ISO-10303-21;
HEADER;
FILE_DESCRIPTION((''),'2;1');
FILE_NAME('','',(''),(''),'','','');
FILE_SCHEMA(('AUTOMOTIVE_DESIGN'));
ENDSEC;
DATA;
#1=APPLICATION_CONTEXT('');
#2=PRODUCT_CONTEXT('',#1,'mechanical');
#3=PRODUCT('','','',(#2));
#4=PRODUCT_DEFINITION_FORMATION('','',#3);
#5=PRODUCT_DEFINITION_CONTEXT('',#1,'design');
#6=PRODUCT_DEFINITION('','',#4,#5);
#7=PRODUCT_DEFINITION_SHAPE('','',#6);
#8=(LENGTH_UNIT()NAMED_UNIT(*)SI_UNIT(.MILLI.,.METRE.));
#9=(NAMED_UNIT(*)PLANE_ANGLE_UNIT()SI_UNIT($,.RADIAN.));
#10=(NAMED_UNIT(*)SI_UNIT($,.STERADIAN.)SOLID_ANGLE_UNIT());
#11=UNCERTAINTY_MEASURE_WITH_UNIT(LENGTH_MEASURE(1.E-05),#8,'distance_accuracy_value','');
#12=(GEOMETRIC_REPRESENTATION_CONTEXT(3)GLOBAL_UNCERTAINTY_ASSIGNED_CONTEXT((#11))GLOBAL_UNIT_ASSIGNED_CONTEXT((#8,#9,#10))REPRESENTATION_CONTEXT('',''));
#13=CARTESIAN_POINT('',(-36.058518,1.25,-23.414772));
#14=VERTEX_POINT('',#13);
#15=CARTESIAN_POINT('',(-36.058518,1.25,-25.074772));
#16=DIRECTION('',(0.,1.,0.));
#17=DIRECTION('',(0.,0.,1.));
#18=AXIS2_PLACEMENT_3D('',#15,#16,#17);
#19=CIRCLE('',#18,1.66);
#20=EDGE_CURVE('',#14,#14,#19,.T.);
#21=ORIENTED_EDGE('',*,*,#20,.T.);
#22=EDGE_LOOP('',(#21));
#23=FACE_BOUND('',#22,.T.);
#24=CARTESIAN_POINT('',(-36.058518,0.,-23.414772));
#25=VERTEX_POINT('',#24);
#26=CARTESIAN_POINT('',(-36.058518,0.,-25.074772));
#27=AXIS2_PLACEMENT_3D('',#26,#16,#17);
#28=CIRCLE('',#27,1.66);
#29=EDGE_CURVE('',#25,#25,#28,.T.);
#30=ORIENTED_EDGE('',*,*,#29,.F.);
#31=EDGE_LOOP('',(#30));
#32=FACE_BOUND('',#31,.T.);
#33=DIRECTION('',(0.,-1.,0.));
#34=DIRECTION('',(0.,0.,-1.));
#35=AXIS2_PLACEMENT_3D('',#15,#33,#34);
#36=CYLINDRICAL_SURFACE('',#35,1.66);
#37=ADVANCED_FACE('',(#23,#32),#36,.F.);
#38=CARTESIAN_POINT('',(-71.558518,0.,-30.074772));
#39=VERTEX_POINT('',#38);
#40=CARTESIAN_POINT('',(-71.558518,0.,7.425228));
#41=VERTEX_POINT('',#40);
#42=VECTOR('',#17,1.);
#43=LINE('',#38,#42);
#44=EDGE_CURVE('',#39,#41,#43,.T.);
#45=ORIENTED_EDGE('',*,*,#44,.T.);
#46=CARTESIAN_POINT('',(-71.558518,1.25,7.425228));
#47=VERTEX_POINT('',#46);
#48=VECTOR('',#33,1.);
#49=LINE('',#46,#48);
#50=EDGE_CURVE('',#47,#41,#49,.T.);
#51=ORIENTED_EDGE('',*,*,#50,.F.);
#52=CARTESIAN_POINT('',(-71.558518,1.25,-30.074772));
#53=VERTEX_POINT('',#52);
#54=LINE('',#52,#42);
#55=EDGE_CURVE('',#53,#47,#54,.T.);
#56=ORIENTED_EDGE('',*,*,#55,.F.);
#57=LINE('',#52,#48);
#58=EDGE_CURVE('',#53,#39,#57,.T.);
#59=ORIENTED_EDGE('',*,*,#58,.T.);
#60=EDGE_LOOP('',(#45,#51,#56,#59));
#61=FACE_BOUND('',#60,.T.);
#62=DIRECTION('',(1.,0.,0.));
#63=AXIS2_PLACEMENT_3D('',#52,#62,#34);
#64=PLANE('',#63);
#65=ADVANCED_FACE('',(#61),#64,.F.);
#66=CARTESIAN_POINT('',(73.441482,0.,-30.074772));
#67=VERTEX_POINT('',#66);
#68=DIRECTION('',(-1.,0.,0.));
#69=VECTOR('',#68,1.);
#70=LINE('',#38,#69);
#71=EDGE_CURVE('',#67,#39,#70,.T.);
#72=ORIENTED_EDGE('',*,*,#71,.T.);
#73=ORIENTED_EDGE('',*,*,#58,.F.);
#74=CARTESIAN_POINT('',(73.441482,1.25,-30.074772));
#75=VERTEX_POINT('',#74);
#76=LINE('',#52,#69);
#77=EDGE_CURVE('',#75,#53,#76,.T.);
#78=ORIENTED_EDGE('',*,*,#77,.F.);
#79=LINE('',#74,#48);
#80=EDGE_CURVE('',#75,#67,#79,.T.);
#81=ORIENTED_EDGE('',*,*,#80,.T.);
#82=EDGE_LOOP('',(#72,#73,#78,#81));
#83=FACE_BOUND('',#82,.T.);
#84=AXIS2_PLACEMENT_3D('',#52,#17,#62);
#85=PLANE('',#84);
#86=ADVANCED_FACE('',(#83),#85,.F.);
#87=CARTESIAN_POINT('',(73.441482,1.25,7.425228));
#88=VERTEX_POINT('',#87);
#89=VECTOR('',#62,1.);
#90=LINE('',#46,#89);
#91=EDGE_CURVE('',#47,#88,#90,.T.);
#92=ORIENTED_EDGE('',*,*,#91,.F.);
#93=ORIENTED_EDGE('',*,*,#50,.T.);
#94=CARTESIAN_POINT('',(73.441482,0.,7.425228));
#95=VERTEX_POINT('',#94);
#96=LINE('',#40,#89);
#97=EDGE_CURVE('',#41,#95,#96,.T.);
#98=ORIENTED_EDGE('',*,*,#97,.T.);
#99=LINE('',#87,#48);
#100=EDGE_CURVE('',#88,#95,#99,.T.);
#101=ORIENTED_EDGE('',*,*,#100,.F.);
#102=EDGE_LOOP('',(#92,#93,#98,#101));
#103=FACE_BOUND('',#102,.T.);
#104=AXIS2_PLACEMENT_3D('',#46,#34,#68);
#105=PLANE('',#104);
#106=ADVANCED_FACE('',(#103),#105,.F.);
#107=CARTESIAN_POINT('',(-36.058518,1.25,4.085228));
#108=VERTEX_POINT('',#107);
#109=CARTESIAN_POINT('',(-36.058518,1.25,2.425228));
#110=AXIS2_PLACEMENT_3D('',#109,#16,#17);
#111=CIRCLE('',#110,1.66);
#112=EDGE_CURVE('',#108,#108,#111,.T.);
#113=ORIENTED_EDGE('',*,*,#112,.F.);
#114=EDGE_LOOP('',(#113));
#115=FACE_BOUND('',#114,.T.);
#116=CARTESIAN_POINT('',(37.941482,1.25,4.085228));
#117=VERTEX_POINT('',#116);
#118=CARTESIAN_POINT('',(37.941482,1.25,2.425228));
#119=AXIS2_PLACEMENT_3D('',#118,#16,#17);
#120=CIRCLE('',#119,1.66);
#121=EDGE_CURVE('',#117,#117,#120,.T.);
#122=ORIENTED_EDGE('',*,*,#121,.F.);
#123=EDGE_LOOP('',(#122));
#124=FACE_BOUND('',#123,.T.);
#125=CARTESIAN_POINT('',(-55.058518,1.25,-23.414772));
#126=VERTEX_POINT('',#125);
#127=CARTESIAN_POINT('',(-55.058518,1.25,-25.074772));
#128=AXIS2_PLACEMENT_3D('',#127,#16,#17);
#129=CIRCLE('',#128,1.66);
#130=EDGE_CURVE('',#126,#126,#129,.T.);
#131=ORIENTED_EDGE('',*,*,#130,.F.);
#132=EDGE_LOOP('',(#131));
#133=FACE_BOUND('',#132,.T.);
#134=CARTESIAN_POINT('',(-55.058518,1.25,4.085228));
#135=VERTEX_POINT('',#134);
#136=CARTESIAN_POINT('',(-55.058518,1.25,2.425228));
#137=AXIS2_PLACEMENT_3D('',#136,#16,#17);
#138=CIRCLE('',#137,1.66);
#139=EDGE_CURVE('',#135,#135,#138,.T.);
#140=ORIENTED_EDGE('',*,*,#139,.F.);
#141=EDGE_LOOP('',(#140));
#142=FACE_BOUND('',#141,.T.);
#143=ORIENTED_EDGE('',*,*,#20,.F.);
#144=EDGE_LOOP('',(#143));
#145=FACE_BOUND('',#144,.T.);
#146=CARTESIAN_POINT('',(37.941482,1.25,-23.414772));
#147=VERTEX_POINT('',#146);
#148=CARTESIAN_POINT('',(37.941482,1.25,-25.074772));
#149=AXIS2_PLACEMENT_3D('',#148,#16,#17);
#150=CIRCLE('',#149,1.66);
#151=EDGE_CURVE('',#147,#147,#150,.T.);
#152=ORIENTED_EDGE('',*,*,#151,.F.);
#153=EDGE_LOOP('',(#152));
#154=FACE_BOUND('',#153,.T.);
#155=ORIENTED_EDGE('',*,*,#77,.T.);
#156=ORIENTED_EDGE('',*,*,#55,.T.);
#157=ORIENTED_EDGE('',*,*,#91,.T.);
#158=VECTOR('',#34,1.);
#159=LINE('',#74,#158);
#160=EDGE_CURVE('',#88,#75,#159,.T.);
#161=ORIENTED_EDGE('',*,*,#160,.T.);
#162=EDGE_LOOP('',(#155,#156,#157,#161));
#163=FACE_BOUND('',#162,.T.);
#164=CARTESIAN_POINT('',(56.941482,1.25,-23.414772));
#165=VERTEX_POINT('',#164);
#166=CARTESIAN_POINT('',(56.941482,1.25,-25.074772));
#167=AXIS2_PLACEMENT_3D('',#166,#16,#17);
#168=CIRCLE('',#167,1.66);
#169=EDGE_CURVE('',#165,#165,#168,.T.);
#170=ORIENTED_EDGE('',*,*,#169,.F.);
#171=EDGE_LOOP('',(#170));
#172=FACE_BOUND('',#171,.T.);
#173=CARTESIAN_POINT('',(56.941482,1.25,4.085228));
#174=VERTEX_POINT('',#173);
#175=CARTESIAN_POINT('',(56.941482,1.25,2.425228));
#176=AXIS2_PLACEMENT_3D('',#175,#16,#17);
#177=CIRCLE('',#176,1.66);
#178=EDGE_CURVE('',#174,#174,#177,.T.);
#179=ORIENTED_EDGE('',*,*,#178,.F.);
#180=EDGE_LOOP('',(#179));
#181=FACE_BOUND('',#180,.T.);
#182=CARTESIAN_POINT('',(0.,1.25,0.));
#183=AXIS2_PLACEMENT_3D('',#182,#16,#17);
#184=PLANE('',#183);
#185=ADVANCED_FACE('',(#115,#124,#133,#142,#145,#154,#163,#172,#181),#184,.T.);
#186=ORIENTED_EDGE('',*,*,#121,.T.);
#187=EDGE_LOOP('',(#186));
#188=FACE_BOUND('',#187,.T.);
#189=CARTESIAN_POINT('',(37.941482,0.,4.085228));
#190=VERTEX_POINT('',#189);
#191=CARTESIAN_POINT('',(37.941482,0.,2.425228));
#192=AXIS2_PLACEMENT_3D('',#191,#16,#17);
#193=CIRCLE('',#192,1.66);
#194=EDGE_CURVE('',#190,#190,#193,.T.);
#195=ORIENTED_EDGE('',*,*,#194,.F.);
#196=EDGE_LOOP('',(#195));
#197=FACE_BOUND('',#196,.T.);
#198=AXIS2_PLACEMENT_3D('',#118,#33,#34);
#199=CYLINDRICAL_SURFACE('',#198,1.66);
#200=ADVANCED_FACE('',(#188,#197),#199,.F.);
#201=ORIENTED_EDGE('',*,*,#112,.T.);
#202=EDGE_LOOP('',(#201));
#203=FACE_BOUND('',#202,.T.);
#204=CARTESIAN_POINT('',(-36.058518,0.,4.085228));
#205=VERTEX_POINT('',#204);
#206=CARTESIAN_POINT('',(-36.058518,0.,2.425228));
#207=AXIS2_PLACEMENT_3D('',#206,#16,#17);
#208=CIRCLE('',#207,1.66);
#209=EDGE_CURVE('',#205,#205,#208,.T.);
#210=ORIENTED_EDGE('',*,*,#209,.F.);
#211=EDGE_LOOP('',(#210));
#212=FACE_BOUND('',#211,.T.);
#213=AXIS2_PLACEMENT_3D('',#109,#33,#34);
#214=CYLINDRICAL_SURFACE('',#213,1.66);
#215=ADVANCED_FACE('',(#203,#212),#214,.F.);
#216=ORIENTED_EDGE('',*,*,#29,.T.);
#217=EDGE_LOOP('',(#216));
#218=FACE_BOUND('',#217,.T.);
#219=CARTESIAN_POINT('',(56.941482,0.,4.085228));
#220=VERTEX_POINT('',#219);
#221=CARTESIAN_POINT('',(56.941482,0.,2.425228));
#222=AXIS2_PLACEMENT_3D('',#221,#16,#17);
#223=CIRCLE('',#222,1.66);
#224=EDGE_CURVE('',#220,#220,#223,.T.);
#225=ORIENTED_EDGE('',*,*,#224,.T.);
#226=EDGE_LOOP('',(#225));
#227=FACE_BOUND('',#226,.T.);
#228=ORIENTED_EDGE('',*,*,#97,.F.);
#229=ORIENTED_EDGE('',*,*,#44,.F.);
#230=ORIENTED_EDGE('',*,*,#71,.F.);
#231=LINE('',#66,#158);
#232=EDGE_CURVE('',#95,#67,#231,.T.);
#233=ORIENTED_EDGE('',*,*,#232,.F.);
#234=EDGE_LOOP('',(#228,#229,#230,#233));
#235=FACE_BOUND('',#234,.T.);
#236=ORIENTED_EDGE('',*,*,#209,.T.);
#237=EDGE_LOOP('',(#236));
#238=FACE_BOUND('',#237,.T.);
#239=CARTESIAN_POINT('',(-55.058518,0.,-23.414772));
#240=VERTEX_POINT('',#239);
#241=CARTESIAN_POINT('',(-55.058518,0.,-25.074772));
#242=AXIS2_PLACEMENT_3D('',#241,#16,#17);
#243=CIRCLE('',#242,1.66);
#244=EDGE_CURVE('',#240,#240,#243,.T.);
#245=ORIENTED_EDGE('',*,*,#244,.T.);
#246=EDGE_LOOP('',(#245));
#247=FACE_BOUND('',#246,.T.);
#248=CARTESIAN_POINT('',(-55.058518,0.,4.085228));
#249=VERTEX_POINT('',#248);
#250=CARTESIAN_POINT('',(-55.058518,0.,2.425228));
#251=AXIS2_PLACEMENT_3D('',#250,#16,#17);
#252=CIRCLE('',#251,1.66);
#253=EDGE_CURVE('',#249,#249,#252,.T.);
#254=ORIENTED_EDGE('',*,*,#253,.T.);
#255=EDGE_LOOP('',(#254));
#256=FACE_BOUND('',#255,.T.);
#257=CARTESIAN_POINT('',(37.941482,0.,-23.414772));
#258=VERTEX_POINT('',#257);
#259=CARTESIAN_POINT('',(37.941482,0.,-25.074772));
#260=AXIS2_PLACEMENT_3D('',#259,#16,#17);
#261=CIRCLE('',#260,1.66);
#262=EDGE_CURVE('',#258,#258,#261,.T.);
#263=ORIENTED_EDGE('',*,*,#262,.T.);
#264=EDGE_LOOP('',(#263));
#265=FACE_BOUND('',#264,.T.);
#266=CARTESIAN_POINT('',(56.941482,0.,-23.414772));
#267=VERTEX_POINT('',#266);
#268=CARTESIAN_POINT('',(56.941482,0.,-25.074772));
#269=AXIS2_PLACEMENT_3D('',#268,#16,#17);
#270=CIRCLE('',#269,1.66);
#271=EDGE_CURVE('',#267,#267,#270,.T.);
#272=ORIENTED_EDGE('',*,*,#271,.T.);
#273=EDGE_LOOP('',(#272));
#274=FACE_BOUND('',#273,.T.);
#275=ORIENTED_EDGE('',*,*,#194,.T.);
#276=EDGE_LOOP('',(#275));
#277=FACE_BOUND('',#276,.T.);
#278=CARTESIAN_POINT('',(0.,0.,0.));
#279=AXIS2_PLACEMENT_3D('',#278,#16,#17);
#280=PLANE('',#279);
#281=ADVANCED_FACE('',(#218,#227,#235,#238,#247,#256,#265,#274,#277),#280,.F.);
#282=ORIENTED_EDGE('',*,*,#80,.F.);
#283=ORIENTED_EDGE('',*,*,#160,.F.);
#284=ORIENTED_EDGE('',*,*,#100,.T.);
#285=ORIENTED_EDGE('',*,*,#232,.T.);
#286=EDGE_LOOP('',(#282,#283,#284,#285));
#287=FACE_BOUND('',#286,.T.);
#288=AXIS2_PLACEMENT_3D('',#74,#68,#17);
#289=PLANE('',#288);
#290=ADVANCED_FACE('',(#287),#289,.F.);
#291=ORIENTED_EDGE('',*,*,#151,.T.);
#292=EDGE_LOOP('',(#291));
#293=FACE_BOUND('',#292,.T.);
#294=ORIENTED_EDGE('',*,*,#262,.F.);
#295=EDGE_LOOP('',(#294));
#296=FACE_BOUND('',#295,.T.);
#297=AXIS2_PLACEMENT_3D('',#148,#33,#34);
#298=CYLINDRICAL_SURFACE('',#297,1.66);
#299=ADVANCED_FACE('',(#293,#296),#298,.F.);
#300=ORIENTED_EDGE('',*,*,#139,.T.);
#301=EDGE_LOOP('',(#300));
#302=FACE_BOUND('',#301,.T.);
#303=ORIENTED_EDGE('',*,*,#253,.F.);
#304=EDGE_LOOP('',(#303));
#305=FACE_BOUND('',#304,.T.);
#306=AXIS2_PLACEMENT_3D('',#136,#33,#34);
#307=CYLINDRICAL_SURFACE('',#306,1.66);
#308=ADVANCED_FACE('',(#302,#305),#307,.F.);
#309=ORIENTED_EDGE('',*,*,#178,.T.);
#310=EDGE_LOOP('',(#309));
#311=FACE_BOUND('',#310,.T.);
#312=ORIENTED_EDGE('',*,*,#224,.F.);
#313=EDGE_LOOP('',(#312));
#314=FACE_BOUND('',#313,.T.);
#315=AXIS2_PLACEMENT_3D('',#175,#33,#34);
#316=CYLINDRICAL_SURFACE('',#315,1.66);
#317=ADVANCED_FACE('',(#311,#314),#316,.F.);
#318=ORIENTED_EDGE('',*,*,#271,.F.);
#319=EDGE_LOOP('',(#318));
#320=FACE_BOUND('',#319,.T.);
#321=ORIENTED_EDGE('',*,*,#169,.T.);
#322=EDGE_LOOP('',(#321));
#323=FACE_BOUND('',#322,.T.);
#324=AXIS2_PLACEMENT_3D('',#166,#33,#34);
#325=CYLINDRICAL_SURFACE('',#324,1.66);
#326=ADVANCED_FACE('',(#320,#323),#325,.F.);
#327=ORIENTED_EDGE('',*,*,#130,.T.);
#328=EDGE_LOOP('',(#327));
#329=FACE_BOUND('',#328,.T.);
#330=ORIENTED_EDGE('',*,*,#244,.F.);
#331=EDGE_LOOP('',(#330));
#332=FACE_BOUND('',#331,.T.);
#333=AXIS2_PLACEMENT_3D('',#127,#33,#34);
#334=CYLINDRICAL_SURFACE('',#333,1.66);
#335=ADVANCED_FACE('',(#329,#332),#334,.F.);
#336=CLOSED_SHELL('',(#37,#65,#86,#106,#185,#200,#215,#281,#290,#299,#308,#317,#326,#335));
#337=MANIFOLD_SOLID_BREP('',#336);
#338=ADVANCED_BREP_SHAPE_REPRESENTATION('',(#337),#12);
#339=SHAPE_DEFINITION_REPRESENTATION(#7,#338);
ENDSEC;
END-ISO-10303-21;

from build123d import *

# Parameters (mm, degrees)
SKETCH1_W           = 145
SKETCH1_H           = 37.5
SKETCH1_R           = 1.66
BOSS_EXTRUDE1_DEPTH = 1.25


with BuildPart() as part:
    # Sketch1 → Boss-Extrude1 (new body)
    with BuildSketch(Plane(origin=(0, 0, 0), x_dir=(1, 0, 0), z_dir=(0, 1, 0))):
        with Locations((0.941482445, 11.324772432)):
            Rectangle(SKETCH1_W, SKETCH1_H)
        with Locations(Location((-55.058517555, 25.074772432, 0), (0, 0, 270))):  # turned: the seam where the file's is
            Circle(SKETCH1_R, mode=Mode.SUBTRACT)
        with Locations(Location((-36.058517555, 25.074772432, 0), (0, 0, 270))):  # turned: the seam where the file's is
            Circle(SKETCH1_R, mode=Mode.SUBTRACT)
        with Locations(Location((-55.058517555, -2.425227568, 0), (0, 0, 270))):  # turned: the seam where the file's is
            Circle(SKETCH1_R, mode=Mode.SUBTRACT)
        with Locations(Location((-36.058517555, -2.425227568, 0), (0, 0, 270))):  # turned: the seam where the file's is
            Circle(SKETCH1_R, mode=Mode.SUBTRACT)
        with Locations(Location((37.941482445, 25.074772432, 0), (0, 0, 270))):  # turned: the seam where the file's is
            Circle(SKETCH1_R, mode=Mode.SUBTRACT)
        with Locations(Location((56.941482445, 25.074772432, 0), (0, 0, 270))):  # turned: the seam where the file's is
            Circle(SKETCH1_R, mode=Mode.SUBTRACT)
        with Locations(Location((37.941482445, -2.425227568, 0), (0, 0, 270))):  # turned: the seam where the file's is
            Circle(SKETCH1_R, mode=Mode.SUBTRACT)
        with Locations(Location((56.941482445, -2.425227568, 0), (0, 0, 270))):  # turned: the seam where the file's is
            Circle(SKETCH1_R, mode=Mode.SUBTRACT)
    extrude(amount=BOSS_EXTRUDE1_DEPTH)


solid = part.part
